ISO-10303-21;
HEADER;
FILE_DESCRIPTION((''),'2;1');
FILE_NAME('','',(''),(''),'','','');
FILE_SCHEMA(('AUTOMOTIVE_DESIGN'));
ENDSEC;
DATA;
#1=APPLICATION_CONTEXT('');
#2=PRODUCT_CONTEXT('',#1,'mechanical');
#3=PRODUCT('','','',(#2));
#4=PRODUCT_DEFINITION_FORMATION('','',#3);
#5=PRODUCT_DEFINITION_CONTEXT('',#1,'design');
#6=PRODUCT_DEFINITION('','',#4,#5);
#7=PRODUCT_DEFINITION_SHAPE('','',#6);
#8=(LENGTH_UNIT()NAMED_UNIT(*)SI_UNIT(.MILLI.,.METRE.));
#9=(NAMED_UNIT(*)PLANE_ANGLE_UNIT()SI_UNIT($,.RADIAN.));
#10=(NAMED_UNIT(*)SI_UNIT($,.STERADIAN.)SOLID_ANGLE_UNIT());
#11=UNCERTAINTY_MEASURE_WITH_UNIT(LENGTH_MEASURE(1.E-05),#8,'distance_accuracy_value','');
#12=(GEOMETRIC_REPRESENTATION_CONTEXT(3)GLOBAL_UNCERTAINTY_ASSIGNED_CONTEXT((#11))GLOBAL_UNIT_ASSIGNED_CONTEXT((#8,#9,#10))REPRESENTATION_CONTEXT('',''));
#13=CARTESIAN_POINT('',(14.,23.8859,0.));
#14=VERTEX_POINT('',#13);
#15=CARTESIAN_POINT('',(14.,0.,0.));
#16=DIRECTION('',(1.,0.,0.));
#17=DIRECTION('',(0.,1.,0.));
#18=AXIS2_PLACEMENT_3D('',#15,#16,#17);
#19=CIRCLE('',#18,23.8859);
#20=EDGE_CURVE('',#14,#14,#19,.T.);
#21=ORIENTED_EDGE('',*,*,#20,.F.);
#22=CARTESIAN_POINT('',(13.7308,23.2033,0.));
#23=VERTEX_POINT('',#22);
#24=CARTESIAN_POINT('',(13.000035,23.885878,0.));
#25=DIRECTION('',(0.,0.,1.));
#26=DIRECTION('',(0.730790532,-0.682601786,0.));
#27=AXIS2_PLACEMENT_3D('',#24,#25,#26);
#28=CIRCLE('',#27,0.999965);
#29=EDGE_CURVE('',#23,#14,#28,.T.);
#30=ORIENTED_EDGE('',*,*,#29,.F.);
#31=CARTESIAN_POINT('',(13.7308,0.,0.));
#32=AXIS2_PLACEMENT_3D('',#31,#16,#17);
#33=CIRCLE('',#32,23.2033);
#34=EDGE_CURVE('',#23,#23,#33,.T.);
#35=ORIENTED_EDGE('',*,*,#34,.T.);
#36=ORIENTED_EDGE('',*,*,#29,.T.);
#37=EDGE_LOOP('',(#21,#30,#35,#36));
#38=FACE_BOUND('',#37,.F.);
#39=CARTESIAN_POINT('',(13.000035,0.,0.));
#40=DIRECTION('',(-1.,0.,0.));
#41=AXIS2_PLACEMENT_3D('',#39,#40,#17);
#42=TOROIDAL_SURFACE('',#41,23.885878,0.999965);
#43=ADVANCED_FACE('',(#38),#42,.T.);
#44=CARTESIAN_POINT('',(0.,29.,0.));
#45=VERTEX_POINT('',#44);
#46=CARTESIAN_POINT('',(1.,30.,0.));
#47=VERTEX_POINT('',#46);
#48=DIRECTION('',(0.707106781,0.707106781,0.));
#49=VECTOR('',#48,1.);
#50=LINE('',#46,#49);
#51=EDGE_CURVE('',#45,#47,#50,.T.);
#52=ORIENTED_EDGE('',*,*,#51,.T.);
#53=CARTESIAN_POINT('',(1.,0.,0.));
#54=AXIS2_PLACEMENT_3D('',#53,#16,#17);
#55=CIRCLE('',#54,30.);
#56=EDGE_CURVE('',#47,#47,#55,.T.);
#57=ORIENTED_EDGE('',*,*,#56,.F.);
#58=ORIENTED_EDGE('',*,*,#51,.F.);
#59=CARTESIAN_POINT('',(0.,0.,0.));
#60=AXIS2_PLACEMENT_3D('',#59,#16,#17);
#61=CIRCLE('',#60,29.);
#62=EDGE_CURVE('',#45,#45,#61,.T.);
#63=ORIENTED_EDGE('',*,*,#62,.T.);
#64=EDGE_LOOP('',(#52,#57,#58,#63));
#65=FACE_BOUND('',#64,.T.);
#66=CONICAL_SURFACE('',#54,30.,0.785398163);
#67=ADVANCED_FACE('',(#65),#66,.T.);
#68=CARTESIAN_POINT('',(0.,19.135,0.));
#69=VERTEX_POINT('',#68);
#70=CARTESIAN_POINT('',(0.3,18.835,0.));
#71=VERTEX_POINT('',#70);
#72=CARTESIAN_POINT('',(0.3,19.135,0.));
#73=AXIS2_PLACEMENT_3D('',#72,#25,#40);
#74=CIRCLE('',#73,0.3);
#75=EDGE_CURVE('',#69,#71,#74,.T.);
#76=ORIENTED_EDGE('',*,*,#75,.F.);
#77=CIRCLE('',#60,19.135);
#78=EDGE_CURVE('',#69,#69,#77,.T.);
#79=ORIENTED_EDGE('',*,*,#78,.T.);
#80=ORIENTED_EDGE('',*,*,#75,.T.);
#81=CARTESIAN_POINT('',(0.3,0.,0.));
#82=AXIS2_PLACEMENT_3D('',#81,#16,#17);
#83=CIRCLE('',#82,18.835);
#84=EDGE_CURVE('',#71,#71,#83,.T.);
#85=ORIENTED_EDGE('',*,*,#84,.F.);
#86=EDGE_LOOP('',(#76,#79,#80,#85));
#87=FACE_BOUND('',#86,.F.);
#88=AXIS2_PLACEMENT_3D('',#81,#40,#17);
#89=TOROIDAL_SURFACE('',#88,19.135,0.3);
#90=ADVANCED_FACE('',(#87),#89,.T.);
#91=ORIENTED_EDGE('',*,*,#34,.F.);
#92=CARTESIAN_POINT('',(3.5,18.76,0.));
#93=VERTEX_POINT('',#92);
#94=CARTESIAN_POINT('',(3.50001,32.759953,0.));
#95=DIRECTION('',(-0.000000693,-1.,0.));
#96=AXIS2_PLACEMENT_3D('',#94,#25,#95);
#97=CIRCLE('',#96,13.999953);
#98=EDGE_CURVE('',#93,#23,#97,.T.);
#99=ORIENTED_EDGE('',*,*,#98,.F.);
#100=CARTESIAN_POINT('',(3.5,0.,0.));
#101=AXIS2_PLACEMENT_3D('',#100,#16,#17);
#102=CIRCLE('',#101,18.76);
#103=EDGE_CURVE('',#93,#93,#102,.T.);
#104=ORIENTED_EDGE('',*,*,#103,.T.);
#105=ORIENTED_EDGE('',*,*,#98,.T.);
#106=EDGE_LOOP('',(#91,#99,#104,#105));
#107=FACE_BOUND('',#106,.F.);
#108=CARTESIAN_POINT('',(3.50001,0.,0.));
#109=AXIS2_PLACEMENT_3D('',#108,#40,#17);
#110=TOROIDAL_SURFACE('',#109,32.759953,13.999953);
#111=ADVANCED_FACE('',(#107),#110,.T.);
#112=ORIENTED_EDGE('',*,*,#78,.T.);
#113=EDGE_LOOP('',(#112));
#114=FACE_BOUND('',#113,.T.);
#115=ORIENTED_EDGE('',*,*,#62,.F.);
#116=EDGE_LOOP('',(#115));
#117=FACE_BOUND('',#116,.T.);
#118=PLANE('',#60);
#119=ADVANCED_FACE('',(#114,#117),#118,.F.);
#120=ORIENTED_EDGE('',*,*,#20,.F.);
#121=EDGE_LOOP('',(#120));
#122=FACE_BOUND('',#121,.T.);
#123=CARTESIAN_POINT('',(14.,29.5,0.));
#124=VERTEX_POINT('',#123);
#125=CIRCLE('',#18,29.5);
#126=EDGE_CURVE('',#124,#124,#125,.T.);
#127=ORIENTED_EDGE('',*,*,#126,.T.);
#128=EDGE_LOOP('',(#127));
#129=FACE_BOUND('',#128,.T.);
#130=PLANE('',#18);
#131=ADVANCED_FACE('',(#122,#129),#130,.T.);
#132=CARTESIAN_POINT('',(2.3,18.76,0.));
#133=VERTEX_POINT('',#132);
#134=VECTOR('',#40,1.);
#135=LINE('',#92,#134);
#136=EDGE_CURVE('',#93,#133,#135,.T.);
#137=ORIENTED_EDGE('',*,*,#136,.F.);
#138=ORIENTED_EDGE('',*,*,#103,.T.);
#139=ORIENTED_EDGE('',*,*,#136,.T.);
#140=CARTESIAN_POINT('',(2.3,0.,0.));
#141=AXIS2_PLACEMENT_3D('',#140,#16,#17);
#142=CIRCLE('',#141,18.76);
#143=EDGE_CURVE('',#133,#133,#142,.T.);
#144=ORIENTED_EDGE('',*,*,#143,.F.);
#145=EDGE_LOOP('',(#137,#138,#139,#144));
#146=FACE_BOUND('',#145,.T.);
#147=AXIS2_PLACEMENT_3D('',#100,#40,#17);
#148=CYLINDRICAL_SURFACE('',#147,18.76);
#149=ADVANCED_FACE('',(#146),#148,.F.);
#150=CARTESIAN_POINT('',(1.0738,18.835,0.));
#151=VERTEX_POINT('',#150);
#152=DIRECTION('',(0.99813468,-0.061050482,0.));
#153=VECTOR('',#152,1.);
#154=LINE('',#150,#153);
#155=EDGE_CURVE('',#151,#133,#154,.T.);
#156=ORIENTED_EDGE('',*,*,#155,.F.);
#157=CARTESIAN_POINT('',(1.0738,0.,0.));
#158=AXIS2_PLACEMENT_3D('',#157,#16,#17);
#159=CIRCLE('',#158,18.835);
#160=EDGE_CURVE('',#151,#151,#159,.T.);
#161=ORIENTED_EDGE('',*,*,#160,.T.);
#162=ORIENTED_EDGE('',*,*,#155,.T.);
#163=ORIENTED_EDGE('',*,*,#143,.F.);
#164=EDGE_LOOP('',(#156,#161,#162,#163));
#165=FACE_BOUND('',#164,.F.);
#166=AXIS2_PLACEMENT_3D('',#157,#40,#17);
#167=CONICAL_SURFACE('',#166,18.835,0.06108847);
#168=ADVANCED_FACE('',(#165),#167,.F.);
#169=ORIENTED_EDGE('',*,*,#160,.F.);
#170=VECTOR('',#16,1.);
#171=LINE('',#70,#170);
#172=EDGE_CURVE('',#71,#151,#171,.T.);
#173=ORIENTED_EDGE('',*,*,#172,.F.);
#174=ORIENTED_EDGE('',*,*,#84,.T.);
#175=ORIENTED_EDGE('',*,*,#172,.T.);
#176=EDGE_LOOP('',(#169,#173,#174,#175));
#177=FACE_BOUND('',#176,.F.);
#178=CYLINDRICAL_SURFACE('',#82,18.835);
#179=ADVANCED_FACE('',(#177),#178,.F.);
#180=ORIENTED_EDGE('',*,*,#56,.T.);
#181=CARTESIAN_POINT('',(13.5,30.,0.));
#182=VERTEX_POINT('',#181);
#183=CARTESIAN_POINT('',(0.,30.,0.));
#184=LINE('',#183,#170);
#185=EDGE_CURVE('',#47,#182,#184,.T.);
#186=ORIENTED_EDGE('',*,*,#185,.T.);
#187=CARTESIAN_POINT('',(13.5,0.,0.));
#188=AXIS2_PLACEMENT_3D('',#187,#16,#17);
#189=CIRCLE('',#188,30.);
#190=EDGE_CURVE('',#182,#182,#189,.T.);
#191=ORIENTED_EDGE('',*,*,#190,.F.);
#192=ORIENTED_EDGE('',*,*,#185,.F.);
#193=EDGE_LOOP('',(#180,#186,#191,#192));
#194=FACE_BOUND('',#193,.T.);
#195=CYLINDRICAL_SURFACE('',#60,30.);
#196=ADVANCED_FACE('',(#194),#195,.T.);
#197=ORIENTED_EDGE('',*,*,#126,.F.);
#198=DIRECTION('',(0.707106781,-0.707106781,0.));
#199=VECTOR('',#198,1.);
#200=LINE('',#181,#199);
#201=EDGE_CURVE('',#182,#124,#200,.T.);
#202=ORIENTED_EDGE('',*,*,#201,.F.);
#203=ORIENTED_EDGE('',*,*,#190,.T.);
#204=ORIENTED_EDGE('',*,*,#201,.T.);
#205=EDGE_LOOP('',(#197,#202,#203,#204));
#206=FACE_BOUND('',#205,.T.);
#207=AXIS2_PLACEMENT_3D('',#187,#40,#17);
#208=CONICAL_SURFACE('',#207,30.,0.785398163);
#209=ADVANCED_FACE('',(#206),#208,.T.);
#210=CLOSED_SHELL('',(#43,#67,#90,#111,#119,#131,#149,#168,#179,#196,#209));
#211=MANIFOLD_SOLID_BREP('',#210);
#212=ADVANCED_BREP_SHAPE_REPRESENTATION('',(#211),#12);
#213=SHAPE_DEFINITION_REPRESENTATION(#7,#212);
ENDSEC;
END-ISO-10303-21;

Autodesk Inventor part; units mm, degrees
ref_plane "YZ Plane" through (0, 0, 0) normal (1, 0, 0) x (0, 1, 0)
ref_plane "XZ Plane" through (0, 0, 0) normal (0, 1, 0) x (-1, 0, 0)
ref_plane "XY Plane" through (0, 0, 0) normal (0, 0, 1) x (1, 0, 0)
sketch "Náčrt1" plane through (0, 0, 0) normal (0, 0, 1) x (1, 0, 0)
  line L0 (0, 0) -> (14.198, 0)
  line L1 (0, 19.135) -> (0, 30)
  line L2 (0, 30) -> (14, 30)
  line L3 (14, 30) -> (14, 23.8859)
  line L4 (3.5, 18.76) -> (2.3, 18.76)
  arc A0 (3.5, 18.76) -> (13.7308, 23.2033) centre (3.5, 32.76) ccw
  arc A1 (13.7308, 23.2033) -> (14, 23.8859) centre (13, 23.8859) ccw
  line L5 (0.3, 18.835) -> (1.0738, 18.835)
  line L6 (1.0738, 18.835) -> (2.3, 18.76)
  arc A2 (0, 19.135) -> (0.3, 18.835) centre (0.3, 19.135) ccw
  point P0 (0, 18.835)
  dimension "d0" = 60
  dimension "d1" = 37.52
  dimension "d4" = 14
  dimension "d18" = 1
  dimension "d21" = 14
  dimension "d25" = 10.5
  dimension "d26" = 1.2
  dimension "d27" = 37.67
  dimension "d28" = 3.5
  dimension "d29" = 0.3
  dimension "d32" = 5.1259
revolve "Rotace1" add sketch "Náčrt1" angle 360 about axis through (0, 0, 0) along (1, 0, 0)
chamfer "Zkosení1" distance 1 angle 45 1 edges at (0, -30, 0)
chamfer "Zkosení2" distance 0.5 angle 45 1 edges at (14, -30, 0)
equation "\"Rozmer_B\" = 0"
equation "\"Rozmer_C\" = 0"
equation "\"Rozmer_D\" = d21"
properties part number "NA-45-h-Crown-129" material "19 436.4"
